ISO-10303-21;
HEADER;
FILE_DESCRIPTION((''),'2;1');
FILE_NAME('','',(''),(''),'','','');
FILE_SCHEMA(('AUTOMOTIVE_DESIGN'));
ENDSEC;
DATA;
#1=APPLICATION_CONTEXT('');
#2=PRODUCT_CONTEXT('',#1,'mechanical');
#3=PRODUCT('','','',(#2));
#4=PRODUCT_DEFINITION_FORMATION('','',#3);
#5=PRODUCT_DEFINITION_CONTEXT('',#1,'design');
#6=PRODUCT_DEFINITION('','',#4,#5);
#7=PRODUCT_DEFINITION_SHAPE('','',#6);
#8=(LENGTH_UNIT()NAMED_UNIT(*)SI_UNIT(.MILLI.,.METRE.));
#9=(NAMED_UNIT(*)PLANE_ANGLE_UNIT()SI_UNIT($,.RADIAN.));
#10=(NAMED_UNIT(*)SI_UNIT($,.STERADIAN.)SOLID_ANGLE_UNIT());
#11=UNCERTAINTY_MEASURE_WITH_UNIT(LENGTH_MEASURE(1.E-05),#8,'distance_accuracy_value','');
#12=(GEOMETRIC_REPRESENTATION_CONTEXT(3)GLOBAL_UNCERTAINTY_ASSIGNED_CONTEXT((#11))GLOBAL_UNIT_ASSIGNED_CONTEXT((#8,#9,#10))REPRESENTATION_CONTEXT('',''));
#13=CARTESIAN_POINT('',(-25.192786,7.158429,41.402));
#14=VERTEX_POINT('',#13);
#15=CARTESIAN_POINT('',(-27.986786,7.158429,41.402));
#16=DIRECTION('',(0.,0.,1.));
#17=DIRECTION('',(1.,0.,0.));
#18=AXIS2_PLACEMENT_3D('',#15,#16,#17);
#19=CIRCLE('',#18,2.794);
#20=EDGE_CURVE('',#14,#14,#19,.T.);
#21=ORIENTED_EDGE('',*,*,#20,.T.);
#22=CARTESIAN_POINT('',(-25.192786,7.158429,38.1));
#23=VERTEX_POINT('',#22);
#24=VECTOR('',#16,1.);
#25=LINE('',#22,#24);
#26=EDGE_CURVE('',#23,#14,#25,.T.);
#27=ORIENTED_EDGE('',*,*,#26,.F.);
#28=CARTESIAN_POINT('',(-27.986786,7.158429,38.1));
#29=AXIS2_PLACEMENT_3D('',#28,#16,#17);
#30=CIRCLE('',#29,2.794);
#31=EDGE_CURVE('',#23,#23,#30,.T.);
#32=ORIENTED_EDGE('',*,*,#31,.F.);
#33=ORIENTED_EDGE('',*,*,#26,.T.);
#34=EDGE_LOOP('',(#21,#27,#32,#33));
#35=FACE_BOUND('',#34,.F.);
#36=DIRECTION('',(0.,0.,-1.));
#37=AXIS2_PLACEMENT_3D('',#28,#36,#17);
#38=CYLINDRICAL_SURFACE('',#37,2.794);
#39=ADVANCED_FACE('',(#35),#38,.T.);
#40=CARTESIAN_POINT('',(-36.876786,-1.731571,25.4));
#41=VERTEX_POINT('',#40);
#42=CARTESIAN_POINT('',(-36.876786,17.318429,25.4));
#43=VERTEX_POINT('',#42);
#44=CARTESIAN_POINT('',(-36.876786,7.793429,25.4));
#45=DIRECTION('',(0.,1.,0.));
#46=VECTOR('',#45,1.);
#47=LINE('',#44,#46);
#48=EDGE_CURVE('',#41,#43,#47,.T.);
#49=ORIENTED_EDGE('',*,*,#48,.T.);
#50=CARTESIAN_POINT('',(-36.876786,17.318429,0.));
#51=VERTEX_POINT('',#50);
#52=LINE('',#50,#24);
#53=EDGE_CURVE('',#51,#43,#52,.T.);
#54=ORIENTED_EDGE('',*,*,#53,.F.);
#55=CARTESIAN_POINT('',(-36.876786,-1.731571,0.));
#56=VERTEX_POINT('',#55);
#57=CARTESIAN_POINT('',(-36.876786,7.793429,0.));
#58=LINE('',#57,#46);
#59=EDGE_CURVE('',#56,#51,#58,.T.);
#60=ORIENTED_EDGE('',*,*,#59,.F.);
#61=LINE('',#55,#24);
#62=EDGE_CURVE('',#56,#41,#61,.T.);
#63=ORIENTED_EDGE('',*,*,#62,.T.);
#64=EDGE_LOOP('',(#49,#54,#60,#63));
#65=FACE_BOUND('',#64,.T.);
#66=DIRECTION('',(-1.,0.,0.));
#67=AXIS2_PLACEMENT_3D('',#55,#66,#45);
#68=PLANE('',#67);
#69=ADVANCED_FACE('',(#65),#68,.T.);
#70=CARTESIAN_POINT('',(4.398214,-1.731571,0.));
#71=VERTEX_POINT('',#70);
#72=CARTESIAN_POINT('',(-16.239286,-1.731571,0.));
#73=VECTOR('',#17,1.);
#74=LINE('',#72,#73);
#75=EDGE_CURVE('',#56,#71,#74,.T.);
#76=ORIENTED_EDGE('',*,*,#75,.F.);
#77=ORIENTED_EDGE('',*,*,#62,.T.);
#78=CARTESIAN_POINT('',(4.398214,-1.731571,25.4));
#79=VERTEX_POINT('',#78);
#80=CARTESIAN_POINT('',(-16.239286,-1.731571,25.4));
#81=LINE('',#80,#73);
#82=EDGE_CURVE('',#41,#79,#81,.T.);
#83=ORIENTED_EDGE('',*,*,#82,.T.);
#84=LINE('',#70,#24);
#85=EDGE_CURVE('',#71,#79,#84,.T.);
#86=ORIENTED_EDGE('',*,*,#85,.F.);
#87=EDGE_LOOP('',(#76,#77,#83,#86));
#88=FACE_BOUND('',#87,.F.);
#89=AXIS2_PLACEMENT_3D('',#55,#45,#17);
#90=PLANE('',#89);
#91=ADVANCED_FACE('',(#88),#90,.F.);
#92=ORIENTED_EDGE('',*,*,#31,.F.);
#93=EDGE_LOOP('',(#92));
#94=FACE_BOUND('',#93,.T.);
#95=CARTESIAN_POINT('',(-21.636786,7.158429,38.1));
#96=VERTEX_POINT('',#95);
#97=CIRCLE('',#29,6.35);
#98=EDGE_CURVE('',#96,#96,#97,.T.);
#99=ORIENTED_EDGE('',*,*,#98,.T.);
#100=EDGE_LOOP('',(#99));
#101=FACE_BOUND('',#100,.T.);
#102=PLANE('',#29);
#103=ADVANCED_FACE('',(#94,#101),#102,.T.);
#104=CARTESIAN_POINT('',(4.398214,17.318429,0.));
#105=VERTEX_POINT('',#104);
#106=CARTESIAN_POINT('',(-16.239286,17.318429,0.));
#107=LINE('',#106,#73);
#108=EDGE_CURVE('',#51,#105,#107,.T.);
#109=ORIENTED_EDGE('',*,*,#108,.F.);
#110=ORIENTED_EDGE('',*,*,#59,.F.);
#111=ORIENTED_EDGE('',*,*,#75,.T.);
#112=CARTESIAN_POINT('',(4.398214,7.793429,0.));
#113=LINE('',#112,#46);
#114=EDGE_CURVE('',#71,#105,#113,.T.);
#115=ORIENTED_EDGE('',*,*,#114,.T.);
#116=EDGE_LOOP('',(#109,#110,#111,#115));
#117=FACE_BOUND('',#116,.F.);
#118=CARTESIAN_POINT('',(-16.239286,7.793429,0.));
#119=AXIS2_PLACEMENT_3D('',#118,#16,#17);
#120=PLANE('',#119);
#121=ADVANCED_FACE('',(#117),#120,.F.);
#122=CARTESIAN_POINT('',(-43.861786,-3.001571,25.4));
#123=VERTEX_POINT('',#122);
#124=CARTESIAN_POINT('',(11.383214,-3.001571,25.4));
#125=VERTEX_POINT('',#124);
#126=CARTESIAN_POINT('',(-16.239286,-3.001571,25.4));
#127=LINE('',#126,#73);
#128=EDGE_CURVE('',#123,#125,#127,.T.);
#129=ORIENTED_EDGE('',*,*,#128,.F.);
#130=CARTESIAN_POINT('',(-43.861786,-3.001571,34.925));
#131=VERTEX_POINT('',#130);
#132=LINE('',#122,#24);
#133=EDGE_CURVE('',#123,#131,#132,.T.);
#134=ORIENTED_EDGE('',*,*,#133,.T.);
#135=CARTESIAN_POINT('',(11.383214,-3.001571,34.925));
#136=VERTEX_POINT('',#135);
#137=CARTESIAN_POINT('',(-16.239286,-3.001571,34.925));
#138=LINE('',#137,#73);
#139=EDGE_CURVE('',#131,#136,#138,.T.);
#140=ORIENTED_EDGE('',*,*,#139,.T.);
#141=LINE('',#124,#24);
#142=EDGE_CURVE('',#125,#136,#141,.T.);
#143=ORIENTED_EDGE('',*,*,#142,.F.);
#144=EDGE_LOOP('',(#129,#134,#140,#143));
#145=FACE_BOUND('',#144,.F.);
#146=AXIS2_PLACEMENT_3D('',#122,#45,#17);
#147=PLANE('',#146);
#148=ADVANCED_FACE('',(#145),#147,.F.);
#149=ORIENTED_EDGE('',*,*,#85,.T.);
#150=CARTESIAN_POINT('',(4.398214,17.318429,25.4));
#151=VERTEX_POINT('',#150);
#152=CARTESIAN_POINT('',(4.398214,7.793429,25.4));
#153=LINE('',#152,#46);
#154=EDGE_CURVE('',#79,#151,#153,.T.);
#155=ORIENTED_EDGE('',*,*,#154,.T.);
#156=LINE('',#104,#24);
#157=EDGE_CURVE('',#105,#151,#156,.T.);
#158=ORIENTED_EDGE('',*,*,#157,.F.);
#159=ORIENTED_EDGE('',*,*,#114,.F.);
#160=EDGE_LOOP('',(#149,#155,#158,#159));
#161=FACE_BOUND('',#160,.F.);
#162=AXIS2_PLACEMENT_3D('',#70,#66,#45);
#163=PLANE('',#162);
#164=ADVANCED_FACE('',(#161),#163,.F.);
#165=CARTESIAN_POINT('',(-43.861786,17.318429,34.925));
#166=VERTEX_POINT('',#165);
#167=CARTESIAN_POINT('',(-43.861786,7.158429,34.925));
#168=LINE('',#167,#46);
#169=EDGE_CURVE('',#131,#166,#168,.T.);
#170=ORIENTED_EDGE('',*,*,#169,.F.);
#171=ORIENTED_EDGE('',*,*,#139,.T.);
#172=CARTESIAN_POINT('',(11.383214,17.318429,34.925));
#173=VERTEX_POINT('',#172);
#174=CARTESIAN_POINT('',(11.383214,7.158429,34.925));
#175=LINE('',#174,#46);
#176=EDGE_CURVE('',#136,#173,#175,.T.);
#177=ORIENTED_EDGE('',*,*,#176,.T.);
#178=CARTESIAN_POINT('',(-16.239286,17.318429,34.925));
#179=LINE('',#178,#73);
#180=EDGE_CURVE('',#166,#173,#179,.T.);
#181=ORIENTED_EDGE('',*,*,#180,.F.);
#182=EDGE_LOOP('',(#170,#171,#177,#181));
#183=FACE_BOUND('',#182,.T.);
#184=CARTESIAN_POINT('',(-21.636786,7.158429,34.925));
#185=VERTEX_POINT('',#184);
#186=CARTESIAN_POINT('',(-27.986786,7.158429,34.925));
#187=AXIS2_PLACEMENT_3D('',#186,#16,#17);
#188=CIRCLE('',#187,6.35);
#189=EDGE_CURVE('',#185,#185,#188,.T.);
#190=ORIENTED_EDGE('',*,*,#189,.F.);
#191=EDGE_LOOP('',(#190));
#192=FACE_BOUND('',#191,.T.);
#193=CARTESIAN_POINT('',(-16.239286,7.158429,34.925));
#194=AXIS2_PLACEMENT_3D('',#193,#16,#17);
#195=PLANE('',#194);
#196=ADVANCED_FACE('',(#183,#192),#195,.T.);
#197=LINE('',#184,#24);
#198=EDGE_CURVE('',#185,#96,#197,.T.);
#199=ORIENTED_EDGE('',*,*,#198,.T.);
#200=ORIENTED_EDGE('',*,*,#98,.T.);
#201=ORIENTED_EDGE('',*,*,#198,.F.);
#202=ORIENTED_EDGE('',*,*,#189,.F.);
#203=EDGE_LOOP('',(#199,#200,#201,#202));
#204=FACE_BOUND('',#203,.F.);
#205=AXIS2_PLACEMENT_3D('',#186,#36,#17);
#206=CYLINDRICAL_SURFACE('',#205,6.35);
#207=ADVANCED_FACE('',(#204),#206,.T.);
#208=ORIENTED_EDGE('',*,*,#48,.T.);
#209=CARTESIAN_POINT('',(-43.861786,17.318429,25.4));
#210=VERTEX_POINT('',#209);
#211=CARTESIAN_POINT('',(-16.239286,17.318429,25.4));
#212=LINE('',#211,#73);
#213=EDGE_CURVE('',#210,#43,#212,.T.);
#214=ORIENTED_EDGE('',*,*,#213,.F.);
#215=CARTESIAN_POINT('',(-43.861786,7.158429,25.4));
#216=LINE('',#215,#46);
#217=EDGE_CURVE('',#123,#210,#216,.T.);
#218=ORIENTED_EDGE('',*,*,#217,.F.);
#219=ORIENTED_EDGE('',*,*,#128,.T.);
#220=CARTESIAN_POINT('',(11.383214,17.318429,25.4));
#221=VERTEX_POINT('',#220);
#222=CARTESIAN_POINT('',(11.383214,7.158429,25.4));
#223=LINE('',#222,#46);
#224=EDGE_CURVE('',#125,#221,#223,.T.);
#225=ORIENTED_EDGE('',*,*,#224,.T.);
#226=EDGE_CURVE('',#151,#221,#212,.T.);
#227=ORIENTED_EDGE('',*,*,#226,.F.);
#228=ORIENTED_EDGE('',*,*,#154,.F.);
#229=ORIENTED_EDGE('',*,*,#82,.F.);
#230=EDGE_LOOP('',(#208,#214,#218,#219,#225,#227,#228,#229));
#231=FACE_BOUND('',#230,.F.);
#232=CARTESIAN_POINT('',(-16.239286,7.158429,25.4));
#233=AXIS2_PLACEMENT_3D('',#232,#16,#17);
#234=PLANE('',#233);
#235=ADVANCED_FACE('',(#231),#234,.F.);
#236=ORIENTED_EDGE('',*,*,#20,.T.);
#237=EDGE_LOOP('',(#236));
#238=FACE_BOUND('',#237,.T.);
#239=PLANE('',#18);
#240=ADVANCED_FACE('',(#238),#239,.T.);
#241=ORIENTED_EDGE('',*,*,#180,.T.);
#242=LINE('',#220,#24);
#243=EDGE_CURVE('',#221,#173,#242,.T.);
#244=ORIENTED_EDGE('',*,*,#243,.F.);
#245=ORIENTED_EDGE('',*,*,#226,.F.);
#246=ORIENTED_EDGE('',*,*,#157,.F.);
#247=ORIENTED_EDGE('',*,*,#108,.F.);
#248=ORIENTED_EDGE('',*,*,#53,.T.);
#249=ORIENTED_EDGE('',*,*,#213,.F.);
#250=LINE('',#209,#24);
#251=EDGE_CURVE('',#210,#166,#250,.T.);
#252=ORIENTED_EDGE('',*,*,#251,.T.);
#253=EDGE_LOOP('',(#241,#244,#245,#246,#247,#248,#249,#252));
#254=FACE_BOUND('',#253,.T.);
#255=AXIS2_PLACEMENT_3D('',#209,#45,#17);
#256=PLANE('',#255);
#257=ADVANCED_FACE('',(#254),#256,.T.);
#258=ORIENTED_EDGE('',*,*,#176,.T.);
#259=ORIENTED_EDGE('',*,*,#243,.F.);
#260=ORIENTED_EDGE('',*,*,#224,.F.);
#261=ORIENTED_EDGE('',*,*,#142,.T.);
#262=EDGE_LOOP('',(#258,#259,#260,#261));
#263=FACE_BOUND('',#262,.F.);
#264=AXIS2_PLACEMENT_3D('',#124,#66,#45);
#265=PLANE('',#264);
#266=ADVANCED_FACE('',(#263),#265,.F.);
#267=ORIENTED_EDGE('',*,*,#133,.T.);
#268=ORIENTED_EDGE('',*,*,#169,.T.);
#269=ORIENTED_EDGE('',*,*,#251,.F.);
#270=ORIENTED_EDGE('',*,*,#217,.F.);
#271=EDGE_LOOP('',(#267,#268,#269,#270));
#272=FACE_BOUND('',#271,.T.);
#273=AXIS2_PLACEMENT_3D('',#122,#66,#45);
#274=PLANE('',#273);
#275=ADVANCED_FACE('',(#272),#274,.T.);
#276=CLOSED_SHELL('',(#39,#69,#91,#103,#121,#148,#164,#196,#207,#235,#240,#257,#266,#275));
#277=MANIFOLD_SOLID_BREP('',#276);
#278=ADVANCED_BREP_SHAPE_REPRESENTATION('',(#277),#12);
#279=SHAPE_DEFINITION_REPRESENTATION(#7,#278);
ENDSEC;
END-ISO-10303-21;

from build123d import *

# Parameters (mm, degrees)
F0_W     = 41.275
F0_H     = 19.05
F1_DEPTH = 25.4
F2_W     = 55.245
F2_H     = 20.32
F3_DEPTH = 9.525
F4_R     = 6.35
F5_DEPTH = 3.175
F6_R     = 2.794
F7_DEPTH = 3.302


with BuildPart() as f1:
    # F0 (on Top) → F1 (new body)
    with BuildSketch(Plane.XY):
        with Locations((-16.2392864004, 7.7934292579)):
            Rectangle(F0_W, F0_H)
    extrude(amount=F1_DEPTH)

    # F2 (on face) → F3 (join)
    with BuildSketch(Plane.XY.offset(25.4)):
        with Locations((-16.2392864004, 7.1584292579)):
            Rectangle(F2_W, F2_H)
    extrude(amount=F3_DEPTH)

    # F4 (on face) → F5 (join)
    with BuildSketch(Plane.XY.offset(34.925)):
        with Locations((-27.9867864004, 7.1584292579)):
            Circle(F4_R)
    extrude(amount=F5_DEPTH)

    # F6 (on face) → F7 (join)
    with BuildSketch(Plane.XY.offset(38.1)):
        with Locations((-27.9867864004, 7.1584292579)):
            Circle(F6_R)
    extrude(amount=F7_DEPTH)


solid = f1.part
